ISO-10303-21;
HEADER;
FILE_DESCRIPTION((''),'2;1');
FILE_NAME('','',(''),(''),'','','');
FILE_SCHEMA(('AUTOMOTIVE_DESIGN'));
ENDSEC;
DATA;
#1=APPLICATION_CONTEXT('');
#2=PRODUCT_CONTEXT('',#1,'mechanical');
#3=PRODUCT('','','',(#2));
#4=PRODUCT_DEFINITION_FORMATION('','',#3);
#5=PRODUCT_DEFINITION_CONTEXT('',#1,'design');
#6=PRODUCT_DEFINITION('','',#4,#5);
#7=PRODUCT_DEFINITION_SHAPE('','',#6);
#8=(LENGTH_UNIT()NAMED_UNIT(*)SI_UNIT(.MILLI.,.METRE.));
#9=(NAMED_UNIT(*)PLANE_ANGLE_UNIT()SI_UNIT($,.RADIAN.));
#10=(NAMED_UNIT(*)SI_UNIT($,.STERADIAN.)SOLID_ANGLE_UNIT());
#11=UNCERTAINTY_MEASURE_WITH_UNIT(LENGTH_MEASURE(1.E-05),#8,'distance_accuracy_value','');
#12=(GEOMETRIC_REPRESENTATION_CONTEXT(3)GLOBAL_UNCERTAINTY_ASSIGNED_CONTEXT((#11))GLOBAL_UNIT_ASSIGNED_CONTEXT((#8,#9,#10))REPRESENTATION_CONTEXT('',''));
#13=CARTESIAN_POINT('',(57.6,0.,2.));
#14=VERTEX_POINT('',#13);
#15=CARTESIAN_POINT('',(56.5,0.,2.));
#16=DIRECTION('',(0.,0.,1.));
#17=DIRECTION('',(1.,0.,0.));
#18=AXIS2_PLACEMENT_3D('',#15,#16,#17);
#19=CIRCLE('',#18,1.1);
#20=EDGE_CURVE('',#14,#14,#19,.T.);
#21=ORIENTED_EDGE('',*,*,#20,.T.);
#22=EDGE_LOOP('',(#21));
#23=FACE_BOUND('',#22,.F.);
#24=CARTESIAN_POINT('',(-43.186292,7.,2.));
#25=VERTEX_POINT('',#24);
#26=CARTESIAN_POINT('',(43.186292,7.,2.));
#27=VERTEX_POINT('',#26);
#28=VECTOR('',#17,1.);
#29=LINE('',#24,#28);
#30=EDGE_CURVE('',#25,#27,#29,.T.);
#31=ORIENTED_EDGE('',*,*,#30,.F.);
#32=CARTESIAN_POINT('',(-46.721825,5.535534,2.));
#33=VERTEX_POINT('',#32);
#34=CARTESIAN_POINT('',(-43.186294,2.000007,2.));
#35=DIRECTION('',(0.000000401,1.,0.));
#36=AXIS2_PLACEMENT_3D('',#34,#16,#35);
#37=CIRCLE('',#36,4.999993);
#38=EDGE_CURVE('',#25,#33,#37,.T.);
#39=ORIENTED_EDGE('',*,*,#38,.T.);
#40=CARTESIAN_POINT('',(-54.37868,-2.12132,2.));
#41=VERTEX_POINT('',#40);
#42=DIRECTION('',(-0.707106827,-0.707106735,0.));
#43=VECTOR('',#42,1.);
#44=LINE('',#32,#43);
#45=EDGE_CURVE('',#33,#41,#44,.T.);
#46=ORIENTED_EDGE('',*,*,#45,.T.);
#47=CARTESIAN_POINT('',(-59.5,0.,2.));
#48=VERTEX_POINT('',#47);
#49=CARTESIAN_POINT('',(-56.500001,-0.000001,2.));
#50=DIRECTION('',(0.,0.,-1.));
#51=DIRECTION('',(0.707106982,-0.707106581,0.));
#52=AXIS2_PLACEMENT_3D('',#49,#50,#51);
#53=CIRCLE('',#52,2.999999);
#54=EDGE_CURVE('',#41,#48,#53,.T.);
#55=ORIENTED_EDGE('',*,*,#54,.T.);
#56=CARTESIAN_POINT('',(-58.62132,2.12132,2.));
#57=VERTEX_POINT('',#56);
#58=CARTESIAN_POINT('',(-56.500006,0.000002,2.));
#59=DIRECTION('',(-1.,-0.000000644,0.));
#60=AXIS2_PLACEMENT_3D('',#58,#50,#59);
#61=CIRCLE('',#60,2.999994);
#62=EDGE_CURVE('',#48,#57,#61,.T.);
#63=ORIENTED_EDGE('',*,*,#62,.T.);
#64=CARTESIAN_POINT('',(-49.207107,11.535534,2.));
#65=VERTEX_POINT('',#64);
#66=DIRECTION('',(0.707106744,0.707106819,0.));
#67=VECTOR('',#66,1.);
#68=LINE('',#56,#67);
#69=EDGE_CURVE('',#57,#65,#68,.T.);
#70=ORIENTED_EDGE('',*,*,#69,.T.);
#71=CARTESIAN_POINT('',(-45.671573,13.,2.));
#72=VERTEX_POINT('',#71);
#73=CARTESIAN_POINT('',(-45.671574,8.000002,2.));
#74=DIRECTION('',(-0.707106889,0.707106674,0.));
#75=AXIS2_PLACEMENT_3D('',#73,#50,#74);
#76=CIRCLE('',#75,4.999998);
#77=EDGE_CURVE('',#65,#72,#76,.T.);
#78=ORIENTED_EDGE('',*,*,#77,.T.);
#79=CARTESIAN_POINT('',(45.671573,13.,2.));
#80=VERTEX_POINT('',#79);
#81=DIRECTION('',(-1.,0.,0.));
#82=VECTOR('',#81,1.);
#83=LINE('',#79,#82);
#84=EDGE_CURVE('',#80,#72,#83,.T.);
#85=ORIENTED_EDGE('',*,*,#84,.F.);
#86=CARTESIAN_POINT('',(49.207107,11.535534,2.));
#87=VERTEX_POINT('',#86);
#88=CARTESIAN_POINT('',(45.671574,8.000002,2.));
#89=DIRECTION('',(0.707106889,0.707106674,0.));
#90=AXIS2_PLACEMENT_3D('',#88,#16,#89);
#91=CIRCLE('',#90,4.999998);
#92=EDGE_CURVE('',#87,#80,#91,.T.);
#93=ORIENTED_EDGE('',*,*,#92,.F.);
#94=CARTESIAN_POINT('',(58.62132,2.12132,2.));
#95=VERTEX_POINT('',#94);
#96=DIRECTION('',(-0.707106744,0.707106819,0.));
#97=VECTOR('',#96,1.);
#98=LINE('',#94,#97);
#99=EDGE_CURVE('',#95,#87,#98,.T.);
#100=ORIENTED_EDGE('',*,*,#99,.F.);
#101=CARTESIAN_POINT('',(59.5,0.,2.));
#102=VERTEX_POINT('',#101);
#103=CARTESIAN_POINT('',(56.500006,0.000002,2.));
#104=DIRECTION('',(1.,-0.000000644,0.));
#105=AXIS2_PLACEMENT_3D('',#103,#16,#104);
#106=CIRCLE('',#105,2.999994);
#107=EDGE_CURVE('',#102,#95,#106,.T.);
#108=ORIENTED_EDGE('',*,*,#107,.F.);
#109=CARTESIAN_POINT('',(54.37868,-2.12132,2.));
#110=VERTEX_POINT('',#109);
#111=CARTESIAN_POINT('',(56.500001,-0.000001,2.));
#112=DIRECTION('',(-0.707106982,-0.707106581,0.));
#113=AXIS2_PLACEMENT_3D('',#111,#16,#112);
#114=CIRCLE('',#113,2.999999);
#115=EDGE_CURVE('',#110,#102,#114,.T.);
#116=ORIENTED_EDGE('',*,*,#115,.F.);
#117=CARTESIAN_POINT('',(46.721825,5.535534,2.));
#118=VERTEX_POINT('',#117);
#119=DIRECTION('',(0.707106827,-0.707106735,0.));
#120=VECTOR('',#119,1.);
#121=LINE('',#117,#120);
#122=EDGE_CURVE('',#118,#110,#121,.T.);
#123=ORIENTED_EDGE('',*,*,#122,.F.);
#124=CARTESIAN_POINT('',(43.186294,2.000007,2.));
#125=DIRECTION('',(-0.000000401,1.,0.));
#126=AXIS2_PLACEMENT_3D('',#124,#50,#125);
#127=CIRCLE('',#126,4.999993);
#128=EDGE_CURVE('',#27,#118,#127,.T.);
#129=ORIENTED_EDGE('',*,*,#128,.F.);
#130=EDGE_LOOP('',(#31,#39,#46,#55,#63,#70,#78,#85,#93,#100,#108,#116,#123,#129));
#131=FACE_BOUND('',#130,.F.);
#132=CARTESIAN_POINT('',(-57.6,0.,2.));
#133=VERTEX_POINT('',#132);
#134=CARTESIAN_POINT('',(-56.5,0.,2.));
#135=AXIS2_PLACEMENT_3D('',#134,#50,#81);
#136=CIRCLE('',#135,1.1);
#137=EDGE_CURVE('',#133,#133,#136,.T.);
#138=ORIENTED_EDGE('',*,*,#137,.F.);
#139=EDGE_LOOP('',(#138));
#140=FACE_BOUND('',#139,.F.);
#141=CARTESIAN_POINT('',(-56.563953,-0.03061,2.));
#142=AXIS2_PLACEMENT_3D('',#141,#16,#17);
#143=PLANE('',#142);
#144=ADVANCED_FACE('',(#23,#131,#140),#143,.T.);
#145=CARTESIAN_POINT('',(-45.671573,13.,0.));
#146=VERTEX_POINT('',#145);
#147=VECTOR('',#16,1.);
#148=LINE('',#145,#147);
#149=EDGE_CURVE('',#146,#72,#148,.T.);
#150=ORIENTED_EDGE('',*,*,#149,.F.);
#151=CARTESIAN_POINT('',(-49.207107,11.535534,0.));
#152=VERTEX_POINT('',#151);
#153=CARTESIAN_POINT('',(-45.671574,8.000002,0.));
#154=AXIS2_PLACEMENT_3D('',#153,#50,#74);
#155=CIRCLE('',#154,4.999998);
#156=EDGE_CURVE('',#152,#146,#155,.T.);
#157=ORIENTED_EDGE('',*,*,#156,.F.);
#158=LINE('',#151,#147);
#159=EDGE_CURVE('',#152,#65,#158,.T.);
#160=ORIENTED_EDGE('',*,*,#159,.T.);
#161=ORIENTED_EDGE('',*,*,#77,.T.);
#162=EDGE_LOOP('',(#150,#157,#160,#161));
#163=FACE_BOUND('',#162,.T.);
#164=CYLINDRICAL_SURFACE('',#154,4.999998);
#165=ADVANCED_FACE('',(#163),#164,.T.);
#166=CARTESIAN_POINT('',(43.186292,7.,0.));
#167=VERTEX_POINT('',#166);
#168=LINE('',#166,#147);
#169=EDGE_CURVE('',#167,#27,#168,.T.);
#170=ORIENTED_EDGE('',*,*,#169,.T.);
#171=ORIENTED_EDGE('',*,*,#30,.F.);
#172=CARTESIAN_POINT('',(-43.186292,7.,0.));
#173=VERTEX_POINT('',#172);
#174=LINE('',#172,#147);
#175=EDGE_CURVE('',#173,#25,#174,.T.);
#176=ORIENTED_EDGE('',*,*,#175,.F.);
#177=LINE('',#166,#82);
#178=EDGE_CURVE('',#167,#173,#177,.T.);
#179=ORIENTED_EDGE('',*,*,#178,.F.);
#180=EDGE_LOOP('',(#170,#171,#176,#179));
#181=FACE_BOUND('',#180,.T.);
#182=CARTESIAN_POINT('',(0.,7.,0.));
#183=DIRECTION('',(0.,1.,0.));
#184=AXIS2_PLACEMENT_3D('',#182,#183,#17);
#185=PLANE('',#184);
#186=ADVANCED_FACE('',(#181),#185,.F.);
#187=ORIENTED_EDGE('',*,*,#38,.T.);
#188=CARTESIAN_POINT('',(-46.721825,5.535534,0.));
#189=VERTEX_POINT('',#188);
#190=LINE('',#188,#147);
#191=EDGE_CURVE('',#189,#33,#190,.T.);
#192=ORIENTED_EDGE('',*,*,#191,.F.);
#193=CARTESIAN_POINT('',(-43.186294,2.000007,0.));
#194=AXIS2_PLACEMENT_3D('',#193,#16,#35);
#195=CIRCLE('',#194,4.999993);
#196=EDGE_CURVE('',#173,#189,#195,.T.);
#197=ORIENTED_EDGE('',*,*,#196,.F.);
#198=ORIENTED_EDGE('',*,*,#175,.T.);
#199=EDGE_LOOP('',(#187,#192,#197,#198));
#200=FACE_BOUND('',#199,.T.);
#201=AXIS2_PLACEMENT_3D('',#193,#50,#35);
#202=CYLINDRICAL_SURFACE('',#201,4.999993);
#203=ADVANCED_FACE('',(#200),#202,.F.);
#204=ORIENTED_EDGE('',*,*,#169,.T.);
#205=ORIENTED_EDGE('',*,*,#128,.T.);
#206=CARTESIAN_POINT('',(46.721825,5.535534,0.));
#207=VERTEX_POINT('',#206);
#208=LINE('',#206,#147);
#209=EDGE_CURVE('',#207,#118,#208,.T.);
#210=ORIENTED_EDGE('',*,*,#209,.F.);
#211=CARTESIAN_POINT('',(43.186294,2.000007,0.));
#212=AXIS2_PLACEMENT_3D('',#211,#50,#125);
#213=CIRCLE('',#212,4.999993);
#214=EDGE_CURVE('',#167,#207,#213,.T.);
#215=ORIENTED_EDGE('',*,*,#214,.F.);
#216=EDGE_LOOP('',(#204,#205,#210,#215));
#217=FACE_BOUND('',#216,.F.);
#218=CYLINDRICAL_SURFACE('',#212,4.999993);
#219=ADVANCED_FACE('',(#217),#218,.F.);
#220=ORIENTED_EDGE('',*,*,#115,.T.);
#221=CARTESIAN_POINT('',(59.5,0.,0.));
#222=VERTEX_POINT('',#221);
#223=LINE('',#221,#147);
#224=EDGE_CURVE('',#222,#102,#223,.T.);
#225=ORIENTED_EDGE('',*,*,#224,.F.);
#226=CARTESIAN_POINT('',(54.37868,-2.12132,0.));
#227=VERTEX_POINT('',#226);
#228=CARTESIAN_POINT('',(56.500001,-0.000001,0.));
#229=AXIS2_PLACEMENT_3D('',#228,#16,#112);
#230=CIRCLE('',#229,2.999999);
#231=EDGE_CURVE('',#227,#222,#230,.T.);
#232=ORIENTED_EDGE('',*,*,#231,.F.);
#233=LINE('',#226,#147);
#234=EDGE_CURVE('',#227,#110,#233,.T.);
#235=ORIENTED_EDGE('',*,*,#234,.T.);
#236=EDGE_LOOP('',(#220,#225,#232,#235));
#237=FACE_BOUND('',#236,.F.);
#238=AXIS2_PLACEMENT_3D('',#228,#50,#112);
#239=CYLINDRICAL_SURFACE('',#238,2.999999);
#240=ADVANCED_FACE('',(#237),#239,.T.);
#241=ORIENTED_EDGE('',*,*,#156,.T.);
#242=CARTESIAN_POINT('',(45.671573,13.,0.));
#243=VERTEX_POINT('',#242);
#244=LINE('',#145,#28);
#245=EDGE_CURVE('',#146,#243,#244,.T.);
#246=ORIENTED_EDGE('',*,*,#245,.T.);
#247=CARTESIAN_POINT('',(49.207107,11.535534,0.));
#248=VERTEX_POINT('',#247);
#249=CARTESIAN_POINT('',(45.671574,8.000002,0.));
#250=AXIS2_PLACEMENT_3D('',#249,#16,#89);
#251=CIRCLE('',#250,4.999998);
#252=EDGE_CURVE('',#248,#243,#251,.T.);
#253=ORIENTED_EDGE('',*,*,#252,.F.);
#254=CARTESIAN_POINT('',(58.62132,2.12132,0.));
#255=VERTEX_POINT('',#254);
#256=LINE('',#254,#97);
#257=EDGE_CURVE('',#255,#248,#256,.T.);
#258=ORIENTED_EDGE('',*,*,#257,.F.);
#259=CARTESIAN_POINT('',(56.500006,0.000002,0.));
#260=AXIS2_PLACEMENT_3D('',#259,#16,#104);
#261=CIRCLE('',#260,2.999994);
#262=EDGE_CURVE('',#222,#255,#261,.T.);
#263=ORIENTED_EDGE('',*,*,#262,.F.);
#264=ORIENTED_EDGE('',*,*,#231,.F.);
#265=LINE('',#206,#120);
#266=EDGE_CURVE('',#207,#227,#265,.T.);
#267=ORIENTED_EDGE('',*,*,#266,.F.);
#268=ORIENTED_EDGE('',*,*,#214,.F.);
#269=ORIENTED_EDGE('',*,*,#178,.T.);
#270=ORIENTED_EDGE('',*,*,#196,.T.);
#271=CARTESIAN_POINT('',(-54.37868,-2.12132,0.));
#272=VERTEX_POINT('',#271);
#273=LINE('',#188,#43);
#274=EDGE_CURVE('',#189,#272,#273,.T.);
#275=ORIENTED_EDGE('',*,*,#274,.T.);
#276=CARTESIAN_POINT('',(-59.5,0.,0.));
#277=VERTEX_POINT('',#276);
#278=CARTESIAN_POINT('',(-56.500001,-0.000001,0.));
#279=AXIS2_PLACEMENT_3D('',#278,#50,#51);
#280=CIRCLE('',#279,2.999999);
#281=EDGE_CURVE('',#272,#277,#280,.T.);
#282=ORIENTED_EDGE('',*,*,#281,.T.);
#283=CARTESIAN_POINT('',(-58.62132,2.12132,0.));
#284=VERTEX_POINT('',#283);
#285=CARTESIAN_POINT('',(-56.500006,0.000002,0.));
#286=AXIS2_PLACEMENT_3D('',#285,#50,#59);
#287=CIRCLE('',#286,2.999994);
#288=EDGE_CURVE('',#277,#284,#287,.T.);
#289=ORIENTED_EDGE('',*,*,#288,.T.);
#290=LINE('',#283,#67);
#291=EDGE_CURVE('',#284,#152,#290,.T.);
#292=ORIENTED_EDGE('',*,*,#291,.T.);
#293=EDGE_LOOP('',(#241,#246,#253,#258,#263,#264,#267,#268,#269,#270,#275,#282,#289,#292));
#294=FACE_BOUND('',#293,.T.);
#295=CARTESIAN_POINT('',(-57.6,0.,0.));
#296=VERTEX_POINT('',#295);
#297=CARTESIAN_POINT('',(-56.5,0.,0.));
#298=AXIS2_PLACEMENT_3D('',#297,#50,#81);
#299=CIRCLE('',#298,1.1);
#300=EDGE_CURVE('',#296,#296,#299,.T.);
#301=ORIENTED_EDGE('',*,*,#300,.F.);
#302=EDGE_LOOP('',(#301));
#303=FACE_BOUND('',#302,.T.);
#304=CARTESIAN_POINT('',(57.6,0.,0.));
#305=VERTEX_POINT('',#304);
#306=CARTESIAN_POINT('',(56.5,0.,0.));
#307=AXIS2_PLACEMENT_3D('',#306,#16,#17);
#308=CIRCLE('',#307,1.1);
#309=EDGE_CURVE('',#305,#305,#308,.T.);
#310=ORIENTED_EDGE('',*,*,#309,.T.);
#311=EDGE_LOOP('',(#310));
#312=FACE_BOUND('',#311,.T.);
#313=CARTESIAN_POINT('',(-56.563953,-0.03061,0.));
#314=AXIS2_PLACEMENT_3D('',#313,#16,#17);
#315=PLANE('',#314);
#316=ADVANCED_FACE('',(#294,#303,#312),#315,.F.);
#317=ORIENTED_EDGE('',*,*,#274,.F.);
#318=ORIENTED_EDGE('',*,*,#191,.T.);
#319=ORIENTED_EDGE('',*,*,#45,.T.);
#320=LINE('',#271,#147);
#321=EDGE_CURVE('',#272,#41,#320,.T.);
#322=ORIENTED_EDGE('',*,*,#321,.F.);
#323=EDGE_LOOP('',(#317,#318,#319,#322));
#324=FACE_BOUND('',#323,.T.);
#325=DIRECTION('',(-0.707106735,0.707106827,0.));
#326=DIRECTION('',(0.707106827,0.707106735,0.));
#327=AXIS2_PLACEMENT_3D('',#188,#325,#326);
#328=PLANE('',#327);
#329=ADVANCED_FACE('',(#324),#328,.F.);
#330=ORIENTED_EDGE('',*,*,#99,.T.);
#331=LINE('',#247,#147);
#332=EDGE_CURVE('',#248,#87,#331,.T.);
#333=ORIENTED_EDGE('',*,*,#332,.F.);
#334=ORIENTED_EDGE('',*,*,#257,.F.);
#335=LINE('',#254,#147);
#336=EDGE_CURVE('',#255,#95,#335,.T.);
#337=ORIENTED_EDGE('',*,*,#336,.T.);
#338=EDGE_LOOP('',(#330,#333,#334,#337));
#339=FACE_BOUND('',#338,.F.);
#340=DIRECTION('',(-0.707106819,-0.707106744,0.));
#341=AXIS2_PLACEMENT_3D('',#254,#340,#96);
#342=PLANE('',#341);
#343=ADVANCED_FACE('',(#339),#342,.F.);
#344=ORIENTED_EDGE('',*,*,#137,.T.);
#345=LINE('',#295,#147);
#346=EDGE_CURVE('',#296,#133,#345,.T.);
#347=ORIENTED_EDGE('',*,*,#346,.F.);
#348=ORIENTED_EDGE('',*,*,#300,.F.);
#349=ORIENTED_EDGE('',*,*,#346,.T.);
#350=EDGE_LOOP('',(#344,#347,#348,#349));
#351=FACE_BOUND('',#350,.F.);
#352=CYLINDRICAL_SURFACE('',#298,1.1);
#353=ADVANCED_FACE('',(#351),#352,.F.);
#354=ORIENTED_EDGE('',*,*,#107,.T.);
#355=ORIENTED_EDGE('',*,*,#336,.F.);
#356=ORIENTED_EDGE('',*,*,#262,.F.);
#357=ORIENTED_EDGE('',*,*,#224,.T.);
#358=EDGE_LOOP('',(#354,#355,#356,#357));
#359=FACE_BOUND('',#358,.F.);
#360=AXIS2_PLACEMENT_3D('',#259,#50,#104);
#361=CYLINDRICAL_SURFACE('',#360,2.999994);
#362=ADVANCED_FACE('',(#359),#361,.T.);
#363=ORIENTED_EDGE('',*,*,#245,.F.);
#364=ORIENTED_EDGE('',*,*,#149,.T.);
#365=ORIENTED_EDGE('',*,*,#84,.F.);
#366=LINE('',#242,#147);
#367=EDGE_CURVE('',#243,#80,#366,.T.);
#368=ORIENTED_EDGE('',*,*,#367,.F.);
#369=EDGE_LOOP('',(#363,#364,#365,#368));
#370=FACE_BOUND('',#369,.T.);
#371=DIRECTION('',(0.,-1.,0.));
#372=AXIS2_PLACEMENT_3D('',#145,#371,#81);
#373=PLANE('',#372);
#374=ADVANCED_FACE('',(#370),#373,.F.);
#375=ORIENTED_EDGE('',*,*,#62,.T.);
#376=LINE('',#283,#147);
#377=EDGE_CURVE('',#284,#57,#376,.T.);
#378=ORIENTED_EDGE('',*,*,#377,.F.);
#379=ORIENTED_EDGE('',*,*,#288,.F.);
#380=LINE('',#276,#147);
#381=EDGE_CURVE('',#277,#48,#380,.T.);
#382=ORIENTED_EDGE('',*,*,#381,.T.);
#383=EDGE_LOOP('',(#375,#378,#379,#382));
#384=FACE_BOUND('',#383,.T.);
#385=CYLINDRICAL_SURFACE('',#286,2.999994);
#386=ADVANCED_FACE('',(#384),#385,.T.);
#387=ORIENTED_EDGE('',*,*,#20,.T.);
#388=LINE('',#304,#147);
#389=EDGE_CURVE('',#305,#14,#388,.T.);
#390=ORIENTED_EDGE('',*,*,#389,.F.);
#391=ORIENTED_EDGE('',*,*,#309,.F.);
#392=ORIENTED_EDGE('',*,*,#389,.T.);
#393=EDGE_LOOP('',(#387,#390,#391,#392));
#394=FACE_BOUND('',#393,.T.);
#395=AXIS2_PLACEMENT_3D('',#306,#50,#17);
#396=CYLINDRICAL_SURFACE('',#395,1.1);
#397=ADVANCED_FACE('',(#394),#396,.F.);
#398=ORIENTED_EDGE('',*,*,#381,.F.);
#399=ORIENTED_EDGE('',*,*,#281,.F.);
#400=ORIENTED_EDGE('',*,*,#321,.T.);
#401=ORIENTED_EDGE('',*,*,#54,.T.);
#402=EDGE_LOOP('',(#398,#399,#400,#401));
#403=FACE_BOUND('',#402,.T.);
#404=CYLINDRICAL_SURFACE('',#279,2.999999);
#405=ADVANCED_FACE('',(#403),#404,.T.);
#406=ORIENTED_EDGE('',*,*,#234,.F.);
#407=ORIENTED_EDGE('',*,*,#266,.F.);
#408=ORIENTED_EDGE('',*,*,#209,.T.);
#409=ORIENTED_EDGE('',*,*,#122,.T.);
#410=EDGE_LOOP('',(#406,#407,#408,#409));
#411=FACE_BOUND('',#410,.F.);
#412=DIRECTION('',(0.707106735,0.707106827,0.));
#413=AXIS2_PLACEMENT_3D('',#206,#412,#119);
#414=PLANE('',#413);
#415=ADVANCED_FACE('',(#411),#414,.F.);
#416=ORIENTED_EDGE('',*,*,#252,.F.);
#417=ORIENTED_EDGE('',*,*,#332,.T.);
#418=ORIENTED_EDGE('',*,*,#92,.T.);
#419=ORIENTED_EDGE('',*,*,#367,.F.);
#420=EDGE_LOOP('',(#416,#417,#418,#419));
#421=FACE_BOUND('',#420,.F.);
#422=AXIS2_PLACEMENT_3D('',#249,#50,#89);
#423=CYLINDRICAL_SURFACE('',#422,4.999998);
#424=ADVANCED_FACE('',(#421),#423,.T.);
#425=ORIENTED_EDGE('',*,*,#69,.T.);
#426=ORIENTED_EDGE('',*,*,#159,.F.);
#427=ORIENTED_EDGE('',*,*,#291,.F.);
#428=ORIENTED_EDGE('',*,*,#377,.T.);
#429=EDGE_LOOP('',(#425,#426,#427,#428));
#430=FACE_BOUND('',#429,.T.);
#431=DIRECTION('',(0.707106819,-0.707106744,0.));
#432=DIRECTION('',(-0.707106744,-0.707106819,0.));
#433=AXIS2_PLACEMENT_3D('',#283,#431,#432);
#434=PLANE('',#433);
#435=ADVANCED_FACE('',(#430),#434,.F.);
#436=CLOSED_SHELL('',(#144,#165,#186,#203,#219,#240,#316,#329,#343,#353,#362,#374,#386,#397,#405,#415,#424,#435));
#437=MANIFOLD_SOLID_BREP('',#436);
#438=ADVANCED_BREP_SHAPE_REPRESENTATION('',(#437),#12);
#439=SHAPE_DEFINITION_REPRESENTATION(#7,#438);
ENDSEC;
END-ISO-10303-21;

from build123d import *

# Parameters (mm, degrees)
F0_R     = 1.1
F1_DEPTH = 2


with BuildPart() as f1:
    # F0 (on Top) → F1 (new body)
    with BuildSketch(Plane.XY):
        with BuildLine():
            ThreePointArc((54.37868, -2.12132), (57.64805, -2.771639), (59.5, 0))
            ThreePointArc((59.5, 0), (59.271639, 1.14805), (58.62132, 2.12132))
            ThreePointArc((58.62132, 2.12132), (54.37868, 2.12132), (54.37868, -2.12132))
        make_face()
        with Locations((56.5, 0)):
            Circle(F0_R, mode=Mode.SUBTRACT)
        with BuildLine():
            ThreePointArc((54.37868, -2.12132), (54.37868, 2.12132), (58.62132, 2.12132))
            Line((58.62132, 2.12132), (49.207107, 11.535534))
            ThreePointArc((49.207107, 11.535534), (47.58499, 12.619398), (45.671573, 13))
            Line((45.671573, 13), (0, 13))
            Line((0, 13), (0, 7))
            Line((0, 7), (43.186292, 7))
            ThreePointArc((43.186292, 7), (45.099709, 6.619398), (46.721825, 5.535534))
            Line((46.721825, 5.535534), (54.37868, -2.12132))
        make_face()
    extrude(amount=F1_DEPTH)

    # F2: F1 across face


with BuildPart() as f1_1:
    add(f1.part)
    add(f1.part.mirror(Plane(origin=(0, 10, 1), x_dir=(0, -1, 0), z_dir=(-1, 0, 0))))


solid = f1_1.part
